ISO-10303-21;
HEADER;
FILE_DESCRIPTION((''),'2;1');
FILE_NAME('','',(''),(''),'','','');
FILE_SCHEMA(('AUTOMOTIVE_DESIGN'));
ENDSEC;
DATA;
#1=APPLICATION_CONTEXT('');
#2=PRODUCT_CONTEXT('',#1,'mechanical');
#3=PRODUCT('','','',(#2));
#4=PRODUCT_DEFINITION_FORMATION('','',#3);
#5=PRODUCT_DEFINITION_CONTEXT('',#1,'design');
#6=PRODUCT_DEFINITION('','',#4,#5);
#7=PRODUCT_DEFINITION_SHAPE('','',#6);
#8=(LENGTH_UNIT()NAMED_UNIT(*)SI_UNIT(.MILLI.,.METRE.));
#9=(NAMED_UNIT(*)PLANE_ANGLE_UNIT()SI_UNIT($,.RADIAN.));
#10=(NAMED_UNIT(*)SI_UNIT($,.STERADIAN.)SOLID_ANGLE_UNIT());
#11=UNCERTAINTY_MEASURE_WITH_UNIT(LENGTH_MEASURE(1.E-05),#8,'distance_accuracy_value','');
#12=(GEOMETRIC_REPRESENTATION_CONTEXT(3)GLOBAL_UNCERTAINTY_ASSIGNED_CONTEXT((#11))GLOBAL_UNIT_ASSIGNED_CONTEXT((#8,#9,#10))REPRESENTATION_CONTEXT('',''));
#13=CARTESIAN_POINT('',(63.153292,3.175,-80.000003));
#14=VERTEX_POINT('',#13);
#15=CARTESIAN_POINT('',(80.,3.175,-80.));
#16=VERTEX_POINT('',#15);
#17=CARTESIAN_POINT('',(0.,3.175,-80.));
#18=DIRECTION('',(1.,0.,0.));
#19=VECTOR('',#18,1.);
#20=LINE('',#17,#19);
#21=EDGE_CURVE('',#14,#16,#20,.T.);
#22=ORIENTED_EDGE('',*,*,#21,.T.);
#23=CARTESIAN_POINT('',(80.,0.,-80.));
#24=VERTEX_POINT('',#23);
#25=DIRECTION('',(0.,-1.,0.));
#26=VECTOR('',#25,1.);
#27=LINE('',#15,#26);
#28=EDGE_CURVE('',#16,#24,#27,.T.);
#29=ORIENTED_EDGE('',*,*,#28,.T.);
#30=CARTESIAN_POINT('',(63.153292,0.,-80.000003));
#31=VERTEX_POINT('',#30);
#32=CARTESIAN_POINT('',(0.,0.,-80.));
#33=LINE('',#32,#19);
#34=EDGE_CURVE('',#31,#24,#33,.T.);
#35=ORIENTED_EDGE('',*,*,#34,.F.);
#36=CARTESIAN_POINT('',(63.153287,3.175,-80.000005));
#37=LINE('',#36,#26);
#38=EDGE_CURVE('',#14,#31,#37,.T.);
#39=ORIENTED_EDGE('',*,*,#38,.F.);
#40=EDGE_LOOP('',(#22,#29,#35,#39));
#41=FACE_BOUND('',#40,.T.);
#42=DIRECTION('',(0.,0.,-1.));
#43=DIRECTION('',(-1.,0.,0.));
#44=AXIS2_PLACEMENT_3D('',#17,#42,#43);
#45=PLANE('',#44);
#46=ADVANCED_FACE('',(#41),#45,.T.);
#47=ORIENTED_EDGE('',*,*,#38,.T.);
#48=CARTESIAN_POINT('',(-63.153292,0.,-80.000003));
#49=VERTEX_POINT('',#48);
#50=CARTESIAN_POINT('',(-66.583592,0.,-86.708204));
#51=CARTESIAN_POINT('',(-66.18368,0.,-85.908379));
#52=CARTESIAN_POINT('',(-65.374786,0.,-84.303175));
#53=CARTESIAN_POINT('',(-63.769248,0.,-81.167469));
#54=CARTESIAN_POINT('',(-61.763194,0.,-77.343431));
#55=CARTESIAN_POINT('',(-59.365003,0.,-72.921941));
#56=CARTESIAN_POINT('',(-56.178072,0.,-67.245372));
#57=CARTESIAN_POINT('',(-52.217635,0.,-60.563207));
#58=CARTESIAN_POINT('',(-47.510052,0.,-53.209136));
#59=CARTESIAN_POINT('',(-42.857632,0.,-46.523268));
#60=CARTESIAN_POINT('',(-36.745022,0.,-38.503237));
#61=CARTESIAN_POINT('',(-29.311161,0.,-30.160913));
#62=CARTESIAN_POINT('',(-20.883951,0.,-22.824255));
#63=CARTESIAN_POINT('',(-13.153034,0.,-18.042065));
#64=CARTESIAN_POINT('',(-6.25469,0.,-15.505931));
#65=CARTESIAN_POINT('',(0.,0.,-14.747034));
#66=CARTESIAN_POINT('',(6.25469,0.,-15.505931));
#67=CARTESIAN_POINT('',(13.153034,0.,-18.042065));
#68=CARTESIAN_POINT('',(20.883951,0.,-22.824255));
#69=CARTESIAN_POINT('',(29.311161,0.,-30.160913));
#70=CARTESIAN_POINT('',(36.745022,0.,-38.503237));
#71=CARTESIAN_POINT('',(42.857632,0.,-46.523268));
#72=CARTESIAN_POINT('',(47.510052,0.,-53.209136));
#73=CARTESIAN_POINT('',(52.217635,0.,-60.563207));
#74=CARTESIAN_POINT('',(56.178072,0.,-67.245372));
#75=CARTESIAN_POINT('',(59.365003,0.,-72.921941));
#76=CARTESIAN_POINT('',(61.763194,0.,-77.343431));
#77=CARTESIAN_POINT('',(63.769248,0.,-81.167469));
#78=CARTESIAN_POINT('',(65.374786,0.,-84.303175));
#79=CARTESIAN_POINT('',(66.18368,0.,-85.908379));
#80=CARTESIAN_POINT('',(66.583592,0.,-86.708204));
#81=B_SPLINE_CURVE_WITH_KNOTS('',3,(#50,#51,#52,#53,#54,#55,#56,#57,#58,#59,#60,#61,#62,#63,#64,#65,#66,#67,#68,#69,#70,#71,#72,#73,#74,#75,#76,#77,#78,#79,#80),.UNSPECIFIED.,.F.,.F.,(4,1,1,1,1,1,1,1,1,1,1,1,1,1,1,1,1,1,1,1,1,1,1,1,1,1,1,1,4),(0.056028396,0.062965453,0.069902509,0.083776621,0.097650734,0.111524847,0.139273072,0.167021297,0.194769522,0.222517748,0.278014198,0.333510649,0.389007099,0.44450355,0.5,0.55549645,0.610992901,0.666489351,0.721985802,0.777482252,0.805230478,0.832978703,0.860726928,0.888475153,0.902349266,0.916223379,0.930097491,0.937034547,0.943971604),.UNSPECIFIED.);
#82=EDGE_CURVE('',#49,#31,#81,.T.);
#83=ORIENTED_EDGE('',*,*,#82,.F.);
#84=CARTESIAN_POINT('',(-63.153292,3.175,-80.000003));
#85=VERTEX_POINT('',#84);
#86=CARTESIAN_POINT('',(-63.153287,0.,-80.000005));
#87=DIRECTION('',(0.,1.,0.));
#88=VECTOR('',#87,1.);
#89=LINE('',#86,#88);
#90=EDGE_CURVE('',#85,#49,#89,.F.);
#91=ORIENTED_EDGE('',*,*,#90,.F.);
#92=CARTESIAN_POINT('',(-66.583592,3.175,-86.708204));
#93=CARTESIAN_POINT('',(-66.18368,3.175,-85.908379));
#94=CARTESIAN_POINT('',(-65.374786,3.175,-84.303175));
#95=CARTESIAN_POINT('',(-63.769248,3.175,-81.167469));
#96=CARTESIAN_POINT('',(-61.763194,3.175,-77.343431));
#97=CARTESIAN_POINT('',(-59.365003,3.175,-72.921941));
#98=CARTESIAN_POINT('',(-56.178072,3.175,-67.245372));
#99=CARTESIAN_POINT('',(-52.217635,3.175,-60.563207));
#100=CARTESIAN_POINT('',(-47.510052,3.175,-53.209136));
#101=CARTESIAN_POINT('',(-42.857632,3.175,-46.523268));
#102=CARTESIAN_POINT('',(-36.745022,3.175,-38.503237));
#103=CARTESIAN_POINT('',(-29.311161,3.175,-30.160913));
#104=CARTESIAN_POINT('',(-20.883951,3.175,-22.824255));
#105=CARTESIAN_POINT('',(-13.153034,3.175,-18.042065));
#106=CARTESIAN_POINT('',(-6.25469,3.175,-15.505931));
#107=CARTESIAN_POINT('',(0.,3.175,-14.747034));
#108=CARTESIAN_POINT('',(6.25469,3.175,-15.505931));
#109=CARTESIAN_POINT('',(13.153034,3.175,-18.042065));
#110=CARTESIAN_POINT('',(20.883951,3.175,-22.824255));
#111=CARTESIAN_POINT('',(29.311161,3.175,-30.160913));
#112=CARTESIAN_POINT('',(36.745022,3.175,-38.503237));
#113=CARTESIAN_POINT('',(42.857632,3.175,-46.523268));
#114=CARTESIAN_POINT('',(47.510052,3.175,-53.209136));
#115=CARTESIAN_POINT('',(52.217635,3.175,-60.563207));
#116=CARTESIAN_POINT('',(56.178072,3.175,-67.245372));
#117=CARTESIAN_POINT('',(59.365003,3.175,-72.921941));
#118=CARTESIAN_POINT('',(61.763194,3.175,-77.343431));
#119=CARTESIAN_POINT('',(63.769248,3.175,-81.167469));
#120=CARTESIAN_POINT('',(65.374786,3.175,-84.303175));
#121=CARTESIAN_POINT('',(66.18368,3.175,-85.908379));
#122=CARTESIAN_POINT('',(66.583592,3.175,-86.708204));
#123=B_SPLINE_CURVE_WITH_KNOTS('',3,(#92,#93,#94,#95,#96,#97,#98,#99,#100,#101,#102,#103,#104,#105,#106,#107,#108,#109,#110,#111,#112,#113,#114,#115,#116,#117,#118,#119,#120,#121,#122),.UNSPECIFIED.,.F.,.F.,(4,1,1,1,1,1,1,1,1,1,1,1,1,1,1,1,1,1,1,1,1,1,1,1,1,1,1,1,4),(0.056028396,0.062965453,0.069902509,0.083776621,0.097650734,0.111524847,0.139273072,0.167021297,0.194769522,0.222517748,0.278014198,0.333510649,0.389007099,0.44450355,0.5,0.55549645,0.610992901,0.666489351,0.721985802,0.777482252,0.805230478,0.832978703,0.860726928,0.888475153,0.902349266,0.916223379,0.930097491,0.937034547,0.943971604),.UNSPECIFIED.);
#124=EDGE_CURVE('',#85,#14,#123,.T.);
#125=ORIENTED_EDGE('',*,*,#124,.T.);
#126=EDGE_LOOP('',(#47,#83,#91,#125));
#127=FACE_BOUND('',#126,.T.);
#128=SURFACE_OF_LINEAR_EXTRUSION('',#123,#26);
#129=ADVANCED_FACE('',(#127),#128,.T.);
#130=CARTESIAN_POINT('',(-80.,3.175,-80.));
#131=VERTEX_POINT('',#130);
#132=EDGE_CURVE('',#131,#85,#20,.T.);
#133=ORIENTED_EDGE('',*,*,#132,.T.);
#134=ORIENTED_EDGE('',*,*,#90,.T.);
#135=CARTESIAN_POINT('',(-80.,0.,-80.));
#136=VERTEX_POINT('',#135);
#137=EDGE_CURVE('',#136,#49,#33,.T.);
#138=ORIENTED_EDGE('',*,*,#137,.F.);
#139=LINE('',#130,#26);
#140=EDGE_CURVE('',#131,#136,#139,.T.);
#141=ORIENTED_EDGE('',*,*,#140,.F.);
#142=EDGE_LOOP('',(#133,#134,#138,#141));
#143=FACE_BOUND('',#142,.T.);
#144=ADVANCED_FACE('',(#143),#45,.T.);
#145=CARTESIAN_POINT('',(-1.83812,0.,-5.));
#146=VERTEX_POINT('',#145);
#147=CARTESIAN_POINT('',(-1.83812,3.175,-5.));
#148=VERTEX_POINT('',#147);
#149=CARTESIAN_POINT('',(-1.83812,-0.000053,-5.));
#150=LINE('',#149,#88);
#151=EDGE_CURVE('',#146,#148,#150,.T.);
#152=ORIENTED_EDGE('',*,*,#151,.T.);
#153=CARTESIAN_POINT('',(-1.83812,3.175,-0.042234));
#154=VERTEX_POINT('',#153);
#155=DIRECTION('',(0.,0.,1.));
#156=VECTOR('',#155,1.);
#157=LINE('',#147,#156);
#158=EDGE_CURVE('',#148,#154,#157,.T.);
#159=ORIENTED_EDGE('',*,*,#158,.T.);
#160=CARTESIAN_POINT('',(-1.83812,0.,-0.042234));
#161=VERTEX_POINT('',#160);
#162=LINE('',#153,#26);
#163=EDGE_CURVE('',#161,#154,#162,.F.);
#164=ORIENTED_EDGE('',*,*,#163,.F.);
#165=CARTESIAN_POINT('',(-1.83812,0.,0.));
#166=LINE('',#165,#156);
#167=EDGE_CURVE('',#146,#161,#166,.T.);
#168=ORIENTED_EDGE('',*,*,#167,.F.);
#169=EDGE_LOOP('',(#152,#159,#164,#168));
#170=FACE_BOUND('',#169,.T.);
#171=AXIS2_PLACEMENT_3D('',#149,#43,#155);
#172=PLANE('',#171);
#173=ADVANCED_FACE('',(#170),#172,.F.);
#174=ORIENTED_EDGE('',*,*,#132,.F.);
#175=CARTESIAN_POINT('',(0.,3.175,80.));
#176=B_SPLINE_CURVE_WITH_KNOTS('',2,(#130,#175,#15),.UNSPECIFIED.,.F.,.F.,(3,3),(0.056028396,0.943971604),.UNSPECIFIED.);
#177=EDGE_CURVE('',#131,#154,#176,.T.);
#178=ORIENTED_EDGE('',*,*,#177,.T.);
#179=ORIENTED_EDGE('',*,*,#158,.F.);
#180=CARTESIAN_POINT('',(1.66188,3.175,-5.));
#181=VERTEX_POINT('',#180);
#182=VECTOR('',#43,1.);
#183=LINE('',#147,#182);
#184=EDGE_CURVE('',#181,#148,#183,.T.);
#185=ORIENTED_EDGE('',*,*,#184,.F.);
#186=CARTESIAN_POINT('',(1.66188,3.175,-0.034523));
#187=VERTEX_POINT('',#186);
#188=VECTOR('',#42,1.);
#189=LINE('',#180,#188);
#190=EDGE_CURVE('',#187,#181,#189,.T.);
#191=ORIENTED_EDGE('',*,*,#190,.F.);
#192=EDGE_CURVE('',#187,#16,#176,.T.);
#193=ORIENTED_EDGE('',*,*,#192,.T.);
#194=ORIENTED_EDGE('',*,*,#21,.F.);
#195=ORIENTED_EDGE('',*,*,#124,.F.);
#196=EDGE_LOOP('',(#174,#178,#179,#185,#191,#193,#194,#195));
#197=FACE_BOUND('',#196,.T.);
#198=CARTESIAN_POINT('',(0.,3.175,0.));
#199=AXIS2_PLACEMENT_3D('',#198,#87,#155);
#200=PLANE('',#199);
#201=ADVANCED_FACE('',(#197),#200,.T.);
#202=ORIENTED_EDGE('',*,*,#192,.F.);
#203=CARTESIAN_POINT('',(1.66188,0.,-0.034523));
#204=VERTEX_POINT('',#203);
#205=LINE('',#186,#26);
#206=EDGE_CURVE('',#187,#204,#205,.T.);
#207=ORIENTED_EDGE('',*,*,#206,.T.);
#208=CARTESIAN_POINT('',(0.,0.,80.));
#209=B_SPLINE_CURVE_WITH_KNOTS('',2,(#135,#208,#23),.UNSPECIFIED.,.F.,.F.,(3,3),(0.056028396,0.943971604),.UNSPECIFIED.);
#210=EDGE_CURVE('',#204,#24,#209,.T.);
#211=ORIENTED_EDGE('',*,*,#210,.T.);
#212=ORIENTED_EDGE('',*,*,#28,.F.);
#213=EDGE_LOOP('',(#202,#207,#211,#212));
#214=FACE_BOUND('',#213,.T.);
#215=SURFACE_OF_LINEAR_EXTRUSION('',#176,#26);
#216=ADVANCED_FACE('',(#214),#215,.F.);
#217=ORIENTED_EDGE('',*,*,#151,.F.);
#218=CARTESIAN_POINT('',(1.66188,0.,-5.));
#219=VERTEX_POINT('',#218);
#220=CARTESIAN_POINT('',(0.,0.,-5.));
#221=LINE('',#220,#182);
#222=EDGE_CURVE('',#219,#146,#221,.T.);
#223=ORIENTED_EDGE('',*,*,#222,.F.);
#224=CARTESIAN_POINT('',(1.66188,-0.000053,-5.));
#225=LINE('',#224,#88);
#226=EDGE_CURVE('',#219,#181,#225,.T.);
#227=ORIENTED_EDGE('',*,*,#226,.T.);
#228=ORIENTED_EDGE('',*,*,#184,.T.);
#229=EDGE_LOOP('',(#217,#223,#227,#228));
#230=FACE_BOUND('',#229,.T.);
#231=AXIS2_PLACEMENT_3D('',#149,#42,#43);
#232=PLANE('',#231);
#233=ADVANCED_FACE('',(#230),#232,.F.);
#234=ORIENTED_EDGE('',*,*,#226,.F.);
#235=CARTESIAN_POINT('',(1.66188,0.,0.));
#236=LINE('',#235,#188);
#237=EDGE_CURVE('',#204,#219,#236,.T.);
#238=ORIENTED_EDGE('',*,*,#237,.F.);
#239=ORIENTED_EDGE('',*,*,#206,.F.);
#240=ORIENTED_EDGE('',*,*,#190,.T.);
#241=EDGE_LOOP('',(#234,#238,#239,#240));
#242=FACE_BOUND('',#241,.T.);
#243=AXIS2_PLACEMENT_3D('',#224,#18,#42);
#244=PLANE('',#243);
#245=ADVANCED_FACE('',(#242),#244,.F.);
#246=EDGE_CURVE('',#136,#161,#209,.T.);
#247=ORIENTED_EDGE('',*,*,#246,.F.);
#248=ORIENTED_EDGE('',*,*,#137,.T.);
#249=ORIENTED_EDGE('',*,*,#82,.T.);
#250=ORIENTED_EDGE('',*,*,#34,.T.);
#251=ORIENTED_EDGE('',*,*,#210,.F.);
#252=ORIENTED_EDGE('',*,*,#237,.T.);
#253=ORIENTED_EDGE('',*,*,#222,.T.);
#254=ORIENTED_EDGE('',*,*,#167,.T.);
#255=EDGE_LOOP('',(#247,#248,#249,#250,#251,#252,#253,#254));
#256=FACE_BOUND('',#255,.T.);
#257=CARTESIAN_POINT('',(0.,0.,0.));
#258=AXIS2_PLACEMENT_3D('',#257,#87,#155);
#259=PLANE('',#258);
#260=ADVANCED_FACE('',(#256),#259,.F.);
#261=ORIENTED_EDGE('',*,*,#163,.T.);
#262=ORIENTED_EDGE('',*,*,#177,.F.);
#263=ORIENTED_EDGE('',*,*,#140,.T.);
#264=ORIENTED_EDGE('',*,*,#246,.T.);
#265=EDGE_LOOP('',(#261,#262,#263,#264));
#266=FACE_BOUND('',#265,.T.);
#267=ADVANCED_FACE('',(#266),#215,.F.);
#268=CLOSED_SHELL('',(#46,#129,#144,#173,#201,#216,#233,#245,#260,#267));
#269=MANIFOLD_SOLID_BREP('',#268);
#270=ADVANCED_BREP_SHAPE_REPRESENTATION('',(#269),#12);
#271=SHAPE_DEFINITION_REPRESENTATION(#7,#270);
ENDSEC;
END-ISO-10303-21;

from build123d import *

# Parameters (mm, degrees)
BOSS_EXTRUDE2_DEPTH = 3.175
SKETCH2_W           = 3.5
SKETCH2_H           = 5
CUT_EXTRUDE1_DEPTH  = 114.181630536


with BuildPart() as part:
    # Sketch1 → Boss-Extrude2 (new body)
    with BuildSketch(Plane(origin=(0, 0, 0), x_dir=(1, 0, 0), z_dir=(0, 1, 0))):
        with BuildLine():
            add(Edge.make_bspline(
                [(-63.153287392, 80.000005207), (-62.690087061, 79.114787151), (-61.425361806, 76.720578148), (-59.365002639, 72.921941484), (-56.178071622, 67.245371862), (-52.217635229, 60.563206955), (-47.510051679, 53.209135647), (-42.857631564, 46.523268117), (-36.745022116, 38.503236865), (-29.311161013, 30.160913336), (-20.883951302, 22.824255391), (-13.153033777, 18.042065099), (-6.254689992, 15.505931404), (0, 14.747034298), (6.254689993, 15.505931404), (13.153033778, 18.042065099), (20.883951303, 22.824255391), (29.311161014, 30.160913336), (36.745022116, 38.503236864), (42.857631564, 46.523268116), (47.510051679, 53.209135647), (52.217635229, 60.563206955), (56.178071622, 67.245371862), (59.365002639, 72.921941484), (61.425361806, 76.720578148), (62.690087062, 79.114787152), (63.153287392, 80.000005207)],
                knots=[0.075765822, 0.075765822, 0.075765822, 0.075765822, 0.083776621, 0.097650734, 0.111524847, 0.139273072, 0.167021297, 0.194769522, 0.222517748, 0.278014198, 0.333510649, 0.389007099, 0.44450355, 0.5, 0.55549645, 0.610992901, 0.666489351, 0.721985802, 0.777482252, 0.805230478, 0.832978703, 0.860726928, 0.888475153, 0.902349266, 0.916223379, 0.924234178, 0.924234178, 0.924234178, 0.924234178], degree=3))
            Line((63.153287392, 80.000005207), (80, 80))
            add(Edge.make_bspline(
                [(-80, 80), (0, -80), (80, 80)],
                knots=[0.056028396, 0.056028396, 0.056028396, 0.943971604, 0.943971604, 0.943971604], degree=2))
            Line((-80, 80), (-63.153287392, 80.000005207))
        make_face()
    extrude(amount=BOSS_EXTRUDE2_DEPTH)

    # Sketch2 → Cut-Extrude1 (cut, through all)
    with BuildSketch(Plane(origin=(0, 3.175, 0), x_dir=(1, 0, 0), z_dir=(0, 1, 0))):
        with Locations((-0.08811954, 2.5)):
            Rectangle(SKETCH2_W, SKETCH2_H)
    extrude(amount=-CUT_EXTRUDE1_DEPTH, mode=Mode.SUBTRACT)


solid = part.part
